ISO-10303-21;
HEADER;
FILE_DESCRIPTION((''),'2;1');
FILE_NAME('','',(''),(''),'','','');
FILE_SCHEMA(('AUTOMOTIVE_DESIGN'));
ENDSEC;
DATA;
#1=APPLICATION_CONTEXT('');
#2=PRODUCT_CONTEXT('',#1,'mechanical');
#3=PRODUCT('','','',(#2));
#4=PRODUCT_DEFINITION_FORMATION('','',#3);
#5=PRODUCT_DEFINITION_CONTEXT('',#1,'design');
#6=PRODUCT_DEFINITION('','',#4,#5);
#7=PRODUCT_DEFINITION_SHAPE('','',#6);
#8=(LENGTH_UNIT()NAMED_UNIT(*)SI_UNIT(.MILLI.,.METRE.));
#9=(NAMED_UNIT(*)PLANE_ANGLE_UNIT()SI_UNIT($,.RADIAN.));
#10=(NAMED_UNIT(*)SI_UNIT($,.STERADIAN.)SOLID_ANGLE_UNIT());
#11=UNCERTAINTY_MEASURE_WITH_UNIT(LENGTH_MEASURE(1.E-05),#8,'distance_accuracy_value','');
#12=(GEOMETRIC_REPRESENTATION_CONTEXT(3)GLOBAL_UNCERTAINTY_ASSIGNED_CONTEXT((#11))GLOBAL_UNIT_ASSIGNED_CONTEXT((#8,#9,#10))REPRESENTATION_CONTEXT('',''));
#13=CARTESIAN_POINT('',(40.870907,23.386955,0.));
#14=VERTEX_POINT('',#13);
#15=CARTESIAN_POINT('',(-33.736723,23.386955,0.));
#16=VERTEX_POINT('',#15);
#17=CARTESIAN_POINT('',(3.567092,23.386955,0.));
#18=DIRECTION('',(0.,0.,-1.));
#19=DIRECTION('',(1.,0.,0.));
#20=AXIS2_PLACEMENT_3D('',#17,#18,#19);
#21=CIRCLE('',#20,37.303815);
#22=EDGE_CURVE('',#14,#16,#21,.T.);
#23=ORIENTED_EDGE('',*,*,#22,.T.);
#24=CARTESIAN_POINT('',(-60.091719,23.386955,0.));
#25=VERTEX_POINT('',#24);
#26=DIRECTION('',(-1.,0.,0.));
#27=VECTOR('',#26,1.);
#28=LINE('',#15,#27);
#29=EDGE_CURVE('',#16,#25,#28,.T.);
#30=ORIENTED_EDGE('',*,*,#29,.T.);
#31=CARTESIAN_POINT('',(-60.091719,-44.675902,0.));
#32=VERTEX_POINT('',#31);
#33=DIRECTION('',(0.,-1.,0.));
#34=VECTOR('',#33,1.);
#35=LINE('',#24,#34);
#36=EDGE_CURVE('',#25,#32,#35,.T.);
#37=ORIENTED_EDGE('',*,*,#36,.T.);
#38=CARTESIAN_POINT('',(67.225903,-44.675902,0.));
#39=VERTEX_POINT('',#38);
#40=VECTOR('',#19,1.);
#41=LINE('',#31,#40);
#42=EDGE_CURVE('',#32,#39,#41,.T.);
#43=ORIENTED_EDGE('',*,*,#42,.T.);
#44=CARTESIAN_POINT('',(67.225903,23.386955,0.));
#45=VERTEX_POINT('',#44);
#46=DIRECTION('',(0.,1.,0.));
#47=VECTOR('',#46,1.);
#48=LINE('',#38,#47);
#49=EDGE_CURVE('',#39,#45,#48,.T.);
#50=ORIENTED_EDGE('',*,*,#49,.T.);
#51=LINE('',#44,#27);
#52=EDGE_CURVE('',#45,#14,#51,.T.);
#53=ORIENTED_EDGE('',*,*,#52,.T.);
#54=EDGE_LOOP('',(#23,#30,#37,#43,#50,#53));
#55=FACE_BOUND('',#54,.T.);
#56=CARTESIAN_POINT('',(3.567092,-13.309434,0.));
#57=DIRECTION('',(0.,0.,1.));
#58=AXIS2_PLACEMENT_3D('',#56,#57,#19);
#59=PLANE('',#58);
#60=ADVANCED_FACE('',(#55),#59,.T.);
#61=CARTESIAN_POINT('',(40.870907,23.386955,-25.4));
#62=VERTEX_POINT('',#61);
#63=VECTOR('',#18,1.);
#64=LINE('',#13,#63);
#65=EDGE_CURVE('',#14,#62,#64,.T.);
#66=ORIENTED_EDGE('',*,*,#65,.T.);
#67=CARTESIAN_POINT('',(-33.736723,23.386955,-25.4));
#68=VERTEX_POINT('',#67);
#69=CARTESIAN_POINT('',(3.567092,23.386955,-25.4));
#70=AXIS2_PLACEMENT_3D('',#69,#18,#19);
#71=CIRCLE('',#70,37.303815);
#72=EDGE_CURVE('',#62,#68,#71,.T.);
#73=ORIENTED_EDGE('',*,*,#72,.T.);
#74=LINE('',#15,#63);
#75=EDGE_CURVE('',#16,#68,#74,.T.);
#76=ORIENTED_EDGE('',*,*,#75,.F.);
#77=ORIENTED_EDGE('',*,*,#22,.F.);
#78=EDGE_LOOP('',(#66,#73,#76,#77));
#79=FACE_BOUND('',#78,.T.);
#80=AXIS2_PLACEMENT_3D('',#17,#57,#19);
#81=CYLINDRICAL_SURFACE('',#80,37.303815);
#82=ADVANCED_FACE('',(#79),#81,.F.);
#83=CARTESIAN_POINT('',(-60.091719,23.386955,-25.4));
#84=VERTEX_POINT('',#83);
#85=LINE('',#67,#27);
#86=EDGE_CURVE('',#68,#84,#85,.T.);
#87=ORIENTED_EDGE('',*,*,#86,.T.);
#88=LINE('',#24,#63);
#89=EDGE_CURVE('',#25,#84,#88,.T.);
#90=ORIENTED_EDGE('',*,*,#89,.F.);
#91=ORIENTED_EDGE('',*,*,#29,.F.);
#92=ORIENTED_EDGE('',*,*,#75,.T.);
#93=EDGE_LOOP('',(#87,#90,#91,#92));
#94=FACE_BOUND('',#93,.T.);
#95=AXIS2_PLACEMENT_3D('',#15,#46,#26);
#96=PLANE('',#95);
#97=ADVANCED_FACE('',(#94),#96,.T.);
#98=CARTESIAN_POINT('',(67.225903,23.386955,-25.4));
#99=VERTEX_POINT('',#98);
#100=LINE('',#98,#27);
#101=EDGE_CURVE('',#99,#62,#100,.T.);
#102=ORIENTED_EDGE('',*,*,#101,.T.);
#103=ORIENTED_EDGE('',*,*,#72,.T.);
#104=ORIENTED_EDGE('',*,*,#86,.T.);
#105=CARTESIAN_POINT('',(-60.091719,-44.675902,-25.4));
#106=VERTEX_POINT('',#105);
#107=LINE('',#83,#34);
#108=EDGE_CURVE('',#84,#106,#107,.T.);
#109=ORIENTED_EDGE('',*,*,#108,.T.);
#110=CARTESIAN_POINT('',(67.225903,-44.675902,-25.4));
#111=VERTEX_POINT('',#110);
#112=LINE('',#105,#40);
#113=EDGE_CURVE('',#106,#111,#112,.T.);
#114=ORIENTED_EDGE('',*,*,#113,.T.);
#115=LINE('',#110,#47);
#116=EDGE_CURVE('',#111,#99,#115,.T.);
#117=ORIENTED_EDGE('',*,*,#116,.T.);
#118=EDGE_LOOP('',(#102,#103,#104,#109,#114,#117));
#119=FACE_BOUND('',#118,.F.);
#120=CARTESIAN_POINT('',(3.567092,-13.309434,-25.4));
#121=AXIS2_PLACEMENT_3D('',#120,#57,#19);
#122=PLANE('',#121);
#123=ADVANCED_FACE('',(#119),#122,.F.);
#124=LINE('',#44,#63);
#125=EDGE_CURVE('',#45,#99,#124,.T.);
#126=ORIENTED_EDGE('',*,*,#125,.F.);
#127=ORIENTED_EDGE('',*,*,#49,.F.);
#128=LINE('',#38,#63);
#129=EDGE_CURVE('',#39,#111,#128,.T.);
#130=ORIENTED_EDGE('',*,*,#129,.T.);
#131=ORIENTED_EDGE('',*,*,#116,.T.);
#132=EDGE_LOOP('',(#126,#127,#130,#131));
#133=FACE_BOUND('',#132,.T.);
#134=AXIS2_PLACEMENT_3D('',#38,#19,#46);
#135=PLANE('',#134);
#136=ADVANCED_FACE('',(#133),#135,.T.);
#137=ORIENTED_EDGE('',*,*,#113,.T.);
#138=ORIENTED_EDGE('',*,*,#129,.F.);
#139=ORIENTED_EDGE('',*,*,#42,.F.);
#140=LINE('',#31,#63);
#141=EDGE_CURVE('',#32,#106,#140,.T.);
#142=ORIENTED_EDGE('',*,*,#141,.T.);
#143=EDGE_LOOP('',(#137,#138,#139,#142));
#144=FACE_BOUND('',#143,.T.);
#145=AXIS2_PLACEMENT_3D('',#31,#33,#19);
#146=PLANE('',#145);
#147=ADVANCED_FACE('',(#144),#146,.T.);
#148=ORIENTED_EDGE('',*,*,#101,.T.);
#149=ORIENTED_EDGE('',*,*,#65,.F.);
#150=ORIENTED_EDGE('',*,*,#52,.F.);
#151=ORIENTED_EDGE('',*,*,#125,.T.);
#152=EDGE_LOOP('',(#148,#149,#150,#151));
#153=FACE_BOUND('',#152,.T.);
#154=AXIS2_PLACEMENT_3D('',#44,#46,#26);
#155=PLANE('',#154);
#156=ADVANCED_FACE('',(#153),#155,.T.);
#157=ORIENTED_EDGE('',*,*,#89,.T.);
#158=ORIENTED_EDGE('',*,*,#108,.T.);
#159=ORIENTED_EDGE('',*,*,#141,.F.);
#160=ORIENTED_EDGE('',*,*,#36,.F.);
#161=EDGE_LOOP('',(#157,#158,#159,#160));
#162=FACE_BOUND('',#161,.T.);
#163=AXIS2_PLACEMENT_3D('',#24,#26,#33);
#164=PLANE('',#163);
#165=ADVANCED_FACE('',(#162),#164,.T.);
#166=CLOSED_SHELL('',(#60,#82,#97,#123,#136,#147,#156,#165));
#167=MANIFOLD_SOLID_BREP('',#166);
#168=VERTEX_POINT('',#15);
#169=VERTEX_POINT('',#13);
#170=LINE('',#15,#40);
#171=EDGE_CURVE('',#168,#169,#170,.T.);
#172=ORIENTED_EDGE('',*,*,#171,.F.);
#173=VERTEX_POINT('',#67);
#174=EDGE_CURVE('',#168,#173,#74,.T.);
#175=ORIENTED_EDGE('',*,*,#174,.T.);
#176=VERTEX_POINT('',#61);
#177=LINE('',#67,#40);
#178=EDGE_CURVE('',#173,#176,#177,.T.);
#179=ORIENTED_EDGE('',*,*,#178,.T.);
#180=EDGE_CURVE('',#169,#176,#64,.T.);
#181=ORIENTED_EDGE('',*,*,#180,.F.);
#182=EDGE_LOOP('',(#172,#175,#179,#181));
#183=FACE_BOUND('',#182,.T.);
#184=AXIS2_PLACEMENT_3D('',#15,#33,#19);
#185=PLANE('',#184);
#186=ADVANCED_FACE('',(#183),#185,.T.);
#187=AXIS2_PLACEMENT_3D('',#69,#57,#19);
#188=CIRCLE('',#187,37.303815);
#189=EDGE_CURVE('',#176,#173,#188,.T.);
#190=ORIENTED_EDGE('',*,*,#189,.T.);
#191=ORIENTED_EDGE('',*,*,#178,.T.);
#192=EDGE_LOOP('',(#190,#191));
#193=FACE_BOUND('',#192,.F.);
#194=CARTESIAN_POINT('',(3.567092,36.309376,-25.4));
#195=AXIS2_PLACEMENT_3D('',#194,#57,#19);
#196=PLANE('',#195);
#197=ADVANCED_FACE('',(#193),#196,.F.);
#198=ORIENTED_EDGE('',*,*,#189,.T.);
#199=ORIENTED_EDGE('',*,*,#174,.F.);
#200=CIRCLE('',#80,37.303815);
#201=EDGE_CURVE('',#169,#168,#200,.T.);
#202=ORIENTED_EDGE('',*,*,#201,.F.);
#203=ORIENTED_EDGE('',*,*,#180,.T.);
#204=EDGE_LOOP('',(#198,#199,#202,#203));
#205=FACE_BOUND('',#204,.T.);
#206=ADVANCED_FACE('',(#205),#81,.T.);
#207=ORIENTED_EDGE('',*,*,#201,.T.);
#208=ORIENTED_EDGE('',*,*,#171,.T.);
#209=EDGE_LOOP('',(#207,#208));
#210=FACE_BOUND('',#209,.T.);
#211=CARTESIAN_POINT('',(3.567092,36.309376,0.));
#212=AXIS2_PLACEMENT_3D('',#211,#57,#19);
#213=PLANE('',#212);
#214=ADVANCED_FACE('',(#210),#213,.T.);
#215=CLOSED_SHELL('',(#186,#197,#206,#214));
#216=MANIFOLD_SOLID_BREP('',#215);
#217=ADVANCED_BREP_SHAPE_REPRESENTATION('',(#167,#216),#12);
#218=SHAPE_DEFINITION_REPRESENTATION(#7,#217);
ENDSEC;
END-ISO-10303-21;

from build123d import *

# Parameters (mm, degrees)
F1_DEPTH = 25.399999693


with BuildPart() as f1:
    # F0 (on Top) → F1 (new body)
    with BuildSketch(Plane.XY):
        with BuildLine():
            Line((67.2259032726, 23.3869552612), (40.8709071856, 23.3869552612))
            ThreePointArc((40.8709071856, 23.3869552612), (3.5670921206, -13.9168598037), (-33.7367229443, 23.3869552612))
            Line((-33.7367229443, 23.3869552612), (-60.0917190313, 23.3869552612))
            Line((-60.0917190313, 23.3869552612), (-60.0917190313, -44.6759015322))
            Line((-60.0917190313, -44.6759015322), (67.2259032726, -44.6759015322))
            Line((67.2259032726, -44.6759015322), (67.2259032726, 23.3869552612))
        make_face()
    extrude(amount=-F1_DEPTH)


with BuildPart() as f1b:
    # F0 (on Top) → F1, piece 2 (new body)
    with BuildSketch(Plane.XY):
        with BuildLine():
            Line((-33.7367229443, 23.3869552612), (40.8709071856, 23.3869552612))
            ThreePointArc((40.8709071856, 23.3869552612), (3.5670921206, 60.6907703262), (-33.7367229443, 23.3869552612))
        make_face()
    extrude(amount=-F1_DEPTH)


solid = Compound([f1.part, f1b.part])
